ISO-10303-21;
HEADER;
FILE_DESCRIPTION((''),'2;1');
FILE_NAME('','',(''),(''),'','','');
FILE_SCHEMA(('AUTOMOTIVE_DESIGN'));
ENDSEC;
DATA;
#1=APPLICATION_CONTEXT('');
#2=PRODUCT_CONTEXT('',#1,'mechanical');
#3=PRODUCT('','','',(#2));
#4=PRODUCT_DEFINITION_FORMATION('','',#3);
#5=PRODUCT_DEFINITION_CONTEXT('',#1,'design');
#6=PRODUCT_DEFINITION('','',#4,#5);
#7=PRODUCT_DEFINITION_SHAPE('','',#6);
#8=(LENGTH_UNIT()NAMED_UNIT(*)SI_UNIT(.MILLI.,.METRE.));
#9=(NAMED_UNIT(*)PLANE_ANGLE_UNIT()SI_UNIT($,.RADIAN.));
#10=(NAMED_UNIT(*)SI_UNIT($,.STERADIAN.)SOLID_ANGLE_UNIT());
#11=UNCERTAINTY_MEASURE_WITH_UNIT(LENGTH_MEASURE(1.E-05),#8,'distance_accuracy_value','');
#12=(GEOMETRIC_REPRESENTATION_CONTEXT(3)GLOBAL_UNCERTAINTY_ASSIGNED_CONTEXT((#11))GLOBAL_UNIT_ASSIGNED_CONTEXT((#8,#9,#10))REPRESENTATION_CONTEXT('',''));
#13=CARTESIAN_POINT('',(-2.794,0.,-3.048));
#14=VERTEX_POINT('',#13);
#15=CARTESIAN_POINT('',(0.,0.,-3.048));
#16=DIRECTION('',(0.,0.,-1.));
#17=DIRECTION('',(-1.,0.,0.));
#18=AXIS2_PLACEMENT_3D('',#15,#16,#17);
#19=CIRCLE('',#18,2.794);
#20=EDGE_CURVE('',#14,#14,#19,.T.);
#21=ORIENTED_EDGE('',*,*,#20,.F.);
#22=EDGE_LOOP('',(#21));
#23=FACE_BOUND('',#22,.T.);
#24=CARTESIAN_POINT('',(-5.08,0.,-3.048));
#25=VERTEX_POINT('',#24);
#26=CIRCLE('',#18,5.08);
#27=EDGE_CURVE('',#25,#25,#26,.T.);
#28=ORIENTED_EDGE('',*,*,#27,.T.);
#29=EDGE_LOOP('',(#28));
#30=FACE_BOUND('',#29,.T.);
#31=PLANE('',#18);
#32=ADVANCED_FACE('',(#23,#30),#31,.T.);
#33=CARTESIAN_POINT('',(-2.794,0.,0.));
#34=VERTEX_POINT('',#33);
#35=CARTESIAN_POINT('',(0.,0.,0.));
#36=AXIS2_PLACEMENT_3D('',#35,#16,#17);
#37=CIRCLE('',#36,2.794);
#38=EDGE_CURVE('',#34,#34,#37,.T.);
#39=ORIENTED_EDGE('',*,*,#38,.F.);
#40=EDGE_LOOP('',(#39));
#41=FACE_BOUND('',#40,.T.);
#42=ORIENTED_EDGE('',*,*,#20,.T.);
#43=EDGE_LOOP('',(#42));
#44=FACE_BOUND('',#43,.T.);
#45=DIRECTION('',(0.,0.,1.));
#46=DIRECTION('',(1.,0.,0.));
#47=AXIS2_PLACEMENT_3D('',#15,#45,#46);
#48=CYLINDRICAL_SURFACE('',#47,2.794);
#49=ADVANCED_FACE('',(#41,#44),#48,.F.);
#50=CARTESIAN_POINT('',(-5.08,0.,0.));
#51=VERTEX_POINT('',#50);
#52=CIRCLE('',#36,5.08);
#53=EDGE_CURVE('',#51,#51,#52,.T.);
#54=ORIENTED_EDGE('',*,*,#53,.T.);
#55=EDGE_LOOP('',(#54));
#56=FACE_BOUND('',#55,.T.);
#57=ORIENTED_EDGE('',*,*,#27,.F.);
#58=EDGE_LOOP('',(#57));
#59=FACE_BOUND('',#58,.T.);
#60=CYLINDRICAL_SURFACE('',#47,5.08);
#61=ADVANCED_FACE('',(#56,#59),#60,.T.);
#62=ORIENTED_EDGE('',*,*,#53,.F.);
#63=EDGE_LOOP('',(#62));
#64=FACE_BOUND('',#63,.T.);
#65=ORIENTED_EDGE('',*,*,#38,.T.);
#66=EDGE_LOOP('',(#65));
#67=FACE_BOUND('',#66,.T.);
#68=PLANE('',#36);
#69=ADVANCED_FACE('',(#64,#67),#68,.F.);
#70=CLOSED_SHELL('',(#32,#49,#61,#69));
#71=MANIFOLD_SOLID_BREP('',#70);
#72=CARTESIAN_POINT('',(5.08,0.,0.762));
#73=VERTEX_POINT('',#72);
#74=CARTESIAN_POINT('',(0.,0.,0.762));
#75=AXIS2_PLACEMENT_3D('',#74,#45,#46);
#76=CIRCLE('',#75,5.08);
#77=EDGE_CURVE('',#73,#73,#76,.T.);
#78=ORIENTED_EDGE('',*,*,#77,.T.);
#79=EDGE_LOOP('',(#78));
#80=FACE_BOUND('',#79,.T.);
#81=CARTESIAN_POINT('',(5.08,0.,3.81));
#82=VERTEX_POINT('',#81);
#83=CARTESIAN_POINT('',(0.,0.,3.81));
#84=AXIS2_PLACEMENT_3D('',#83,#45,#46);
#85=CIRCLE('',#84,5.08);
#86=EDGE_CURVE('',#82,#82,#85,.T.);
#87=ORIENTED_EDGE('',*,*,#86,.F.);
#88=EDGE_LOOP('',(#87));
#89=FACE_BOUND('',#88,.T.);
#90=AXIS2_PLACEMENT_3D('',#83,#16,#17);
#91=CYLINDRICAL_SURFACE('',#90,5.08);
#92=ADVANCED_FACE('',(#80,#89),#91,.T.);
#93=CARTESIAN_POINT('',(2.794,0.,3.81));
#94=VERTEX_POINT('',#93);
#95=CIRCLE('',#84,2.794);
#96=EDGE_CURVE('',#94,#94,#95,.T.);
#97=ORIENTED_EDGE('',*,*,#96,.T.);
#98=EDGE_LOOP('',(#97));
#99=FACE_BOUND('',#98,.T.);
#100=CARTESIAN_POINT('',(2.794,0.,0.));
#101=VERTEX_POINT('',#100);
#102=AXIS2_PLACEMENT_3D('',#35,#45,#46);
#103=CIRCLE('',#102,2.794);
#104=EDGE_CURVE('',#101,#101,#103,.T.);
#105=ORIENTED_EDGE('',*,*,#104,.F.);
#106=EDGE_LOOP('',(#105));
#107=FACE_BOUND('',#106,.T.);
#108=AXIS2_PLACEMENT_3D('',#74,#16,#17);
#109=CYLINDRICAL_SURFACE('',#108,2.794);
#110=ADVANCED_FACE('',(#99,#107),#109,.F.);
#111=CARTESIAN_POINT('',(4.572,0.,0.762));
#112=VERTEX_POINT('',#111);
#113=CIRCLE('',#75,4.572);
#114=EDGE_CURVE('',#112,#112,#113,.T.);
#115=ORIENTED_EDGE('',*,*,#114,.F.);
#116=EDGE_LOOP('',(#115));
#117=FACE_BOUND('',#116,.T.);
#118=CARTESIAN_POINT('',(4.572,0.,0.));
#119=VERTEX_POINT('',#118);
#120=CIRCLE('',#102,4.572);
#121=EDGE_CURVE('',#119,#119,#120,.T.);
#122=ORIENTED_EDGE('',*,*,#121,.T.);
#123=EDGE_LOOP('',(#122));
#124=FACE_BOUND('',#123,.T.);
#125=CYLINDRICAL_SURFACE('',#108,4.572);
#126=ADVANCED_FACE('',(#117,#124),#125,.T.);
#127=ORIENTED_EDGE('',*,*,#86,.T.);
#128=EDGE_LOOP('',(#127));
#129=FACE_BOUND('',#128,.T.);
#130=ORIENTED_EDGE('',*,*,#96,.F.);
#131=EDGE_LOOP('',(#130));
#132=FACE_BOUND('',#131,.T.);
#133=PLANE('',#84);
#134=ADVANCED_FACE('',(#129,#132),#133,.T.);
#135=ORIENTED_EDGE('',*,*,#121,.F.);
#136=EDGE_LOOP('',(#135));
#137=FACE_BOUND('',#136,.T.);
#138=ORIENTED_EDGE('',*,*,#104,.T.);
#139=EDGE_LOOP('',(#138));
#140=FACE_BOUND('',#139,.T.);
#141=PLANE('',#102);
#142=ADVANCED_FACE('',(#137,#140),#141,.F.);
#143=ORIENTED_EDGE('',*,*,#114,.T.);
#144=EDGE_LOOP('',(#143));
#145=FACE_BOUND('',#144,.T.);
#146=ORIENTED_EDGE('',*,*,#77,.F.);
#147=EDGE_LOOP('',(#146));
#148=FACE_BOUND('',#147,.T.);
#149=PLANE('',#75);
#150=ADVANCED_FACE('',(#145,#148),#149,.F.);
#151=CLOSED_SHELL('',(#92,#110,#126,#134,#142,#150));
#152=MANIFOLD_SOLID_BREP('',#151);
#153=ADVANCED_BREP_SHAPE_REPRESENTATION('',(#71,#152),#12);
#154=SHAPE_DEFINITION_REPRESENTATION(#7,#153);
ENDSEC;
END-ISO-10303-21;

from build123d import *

# Parameters (mm, degrees)
SKETCH1_R           = 4.572
SKETCH1_R_2         = 2.794
BOSS_EXTRUDE2_DEPTH = 0.762
SKETCH3_R           = 5.08
SKETCH3_R_2         = 2.794
BOSS_EXTRUDE3_DEPTH = 3.048
SKETCH4_R           = 5.08
SKETCH4_R_2         = 2.794
BOSS_EXTRUDE4_DEPTH = 3.048


with BuildPart() as part:
    # Sketch1 → Boss-Extrude2 (new body)
    with BuildSketch(Plane.XY):
        Circle(SKETCH1_R)
        Circle(SKETCH1_R_2, mode=Mode.SUBTRACT)
    extrude(amount=BOSS_EXTRUDE2_DEPTH)

    # Sketch3 → Boss-Extrude3 (add)
    with BuildSketch(Plane.XY.offset(0.762)):
        Circle(SKETCH3_R)
        Circle(SKETCH3_R_2, mode=Mode.SUBTRACT)
    extrude(amount=BOSS_EXTRUDE3_DEPTH)


with BuildPart() as body_2:
    # Sketch4 → Boss-Extrude4 (new body)
    with BuildSketch(Plane(origin=(0, 0, 0), x_dir=(-1, 0, 0), z_dir=(0, 0, -1))):
        Circle(SKETCH4_R)
        Circle(SKETCH4_R_2, mode=Mode.SUBTRACT)
    extrude(amount=BOSS_EXTRUDE4_DEPTH)


solid = Compound([part.part, body_2.part])
